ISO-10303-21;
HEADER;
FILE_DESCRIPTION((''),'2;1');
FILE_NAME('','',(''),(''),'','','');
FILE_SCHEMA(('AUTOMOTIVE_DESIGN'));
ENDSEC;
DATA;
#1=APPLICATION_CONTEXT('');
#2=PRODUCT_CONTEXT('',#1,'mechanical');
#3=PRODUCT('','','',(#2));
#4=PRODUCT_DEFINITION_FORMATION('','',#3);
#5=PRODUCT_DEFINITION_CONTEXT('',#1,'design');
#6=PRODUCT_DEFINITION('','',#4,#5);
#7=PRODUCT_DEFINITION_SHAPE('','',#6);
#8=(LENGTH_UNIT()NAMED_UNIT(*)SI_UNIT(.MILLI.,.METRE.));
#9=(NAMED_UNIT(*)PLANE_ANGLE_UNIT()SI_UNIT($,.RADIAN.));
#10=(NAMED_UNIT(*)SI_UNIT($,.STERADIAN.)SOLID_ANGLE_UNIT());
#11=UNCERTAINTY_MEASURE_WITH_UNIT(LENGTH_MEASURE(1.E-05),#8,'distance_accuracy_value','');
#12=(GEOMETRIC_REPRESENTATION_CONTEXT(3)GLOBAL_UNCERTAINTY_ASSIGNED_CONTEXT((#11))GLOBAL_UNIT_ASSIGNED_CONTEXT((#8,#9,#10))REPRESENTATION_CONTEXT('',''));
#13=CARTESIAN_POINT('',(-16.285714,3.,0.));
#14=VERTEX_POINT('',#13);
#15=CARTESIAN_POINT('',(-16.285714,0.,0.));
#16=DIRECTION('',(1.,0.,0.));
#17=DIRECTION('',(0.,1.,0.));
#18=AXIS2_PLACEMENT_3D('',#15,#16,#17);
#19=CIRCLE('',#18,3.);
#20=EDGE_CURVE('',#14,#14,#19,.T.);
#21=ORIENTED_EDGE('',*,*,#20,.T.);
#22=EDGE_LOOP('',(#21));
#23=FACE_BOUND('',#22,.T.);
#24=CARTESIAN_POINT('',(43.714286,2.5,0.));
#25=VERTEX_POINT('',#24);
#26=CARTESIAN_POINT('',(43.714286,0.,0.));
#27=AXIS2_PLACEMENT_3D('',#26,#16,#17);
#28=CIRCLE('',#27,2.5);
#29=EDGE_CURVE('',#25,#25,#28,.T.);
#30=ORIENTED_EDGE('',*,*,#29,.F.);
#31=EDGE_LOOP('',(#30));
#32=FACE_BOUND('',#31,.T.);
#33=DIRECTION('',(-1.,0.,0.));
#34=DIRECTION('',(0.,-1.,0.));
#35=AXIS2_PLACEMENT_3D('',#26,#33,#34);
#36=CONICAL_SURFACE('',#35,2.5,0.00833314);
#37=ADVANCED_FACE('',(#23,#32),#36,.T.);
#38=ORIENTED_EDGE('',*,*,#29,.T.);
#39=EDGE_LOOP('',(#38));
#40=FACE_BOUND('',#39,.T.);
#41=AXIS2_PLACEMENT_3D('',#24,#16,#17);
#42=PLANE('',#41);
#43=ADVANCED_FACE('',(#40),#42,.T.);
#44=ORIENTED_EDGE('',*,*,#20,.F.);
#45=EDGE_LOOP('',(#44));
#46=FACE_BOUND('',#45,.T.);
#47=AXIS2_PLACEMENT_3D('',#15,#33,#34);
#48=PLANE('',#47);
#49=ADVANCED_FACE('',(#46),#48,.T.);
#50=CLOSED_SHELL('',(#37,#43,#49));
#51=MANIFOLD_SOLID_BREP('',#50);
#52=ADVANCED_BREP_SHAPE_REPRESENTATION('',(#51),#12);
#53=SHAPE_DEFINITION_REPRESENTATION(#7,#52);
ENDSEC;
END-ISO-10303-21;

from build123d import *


with BuildPart() as part:
    # Sketch1 → Revolve1 (revolve)
    with BuildSketch(Plane.XY):
        Polygon((-16.285714286, 0), (-16.285714286, 3), (43.714285714, 2.5), (43.714285714, 0), align=None)
    revolve(axis=Axis((43.714285714, 0, 0), (-1, 0, 0)))


solid = part.part
